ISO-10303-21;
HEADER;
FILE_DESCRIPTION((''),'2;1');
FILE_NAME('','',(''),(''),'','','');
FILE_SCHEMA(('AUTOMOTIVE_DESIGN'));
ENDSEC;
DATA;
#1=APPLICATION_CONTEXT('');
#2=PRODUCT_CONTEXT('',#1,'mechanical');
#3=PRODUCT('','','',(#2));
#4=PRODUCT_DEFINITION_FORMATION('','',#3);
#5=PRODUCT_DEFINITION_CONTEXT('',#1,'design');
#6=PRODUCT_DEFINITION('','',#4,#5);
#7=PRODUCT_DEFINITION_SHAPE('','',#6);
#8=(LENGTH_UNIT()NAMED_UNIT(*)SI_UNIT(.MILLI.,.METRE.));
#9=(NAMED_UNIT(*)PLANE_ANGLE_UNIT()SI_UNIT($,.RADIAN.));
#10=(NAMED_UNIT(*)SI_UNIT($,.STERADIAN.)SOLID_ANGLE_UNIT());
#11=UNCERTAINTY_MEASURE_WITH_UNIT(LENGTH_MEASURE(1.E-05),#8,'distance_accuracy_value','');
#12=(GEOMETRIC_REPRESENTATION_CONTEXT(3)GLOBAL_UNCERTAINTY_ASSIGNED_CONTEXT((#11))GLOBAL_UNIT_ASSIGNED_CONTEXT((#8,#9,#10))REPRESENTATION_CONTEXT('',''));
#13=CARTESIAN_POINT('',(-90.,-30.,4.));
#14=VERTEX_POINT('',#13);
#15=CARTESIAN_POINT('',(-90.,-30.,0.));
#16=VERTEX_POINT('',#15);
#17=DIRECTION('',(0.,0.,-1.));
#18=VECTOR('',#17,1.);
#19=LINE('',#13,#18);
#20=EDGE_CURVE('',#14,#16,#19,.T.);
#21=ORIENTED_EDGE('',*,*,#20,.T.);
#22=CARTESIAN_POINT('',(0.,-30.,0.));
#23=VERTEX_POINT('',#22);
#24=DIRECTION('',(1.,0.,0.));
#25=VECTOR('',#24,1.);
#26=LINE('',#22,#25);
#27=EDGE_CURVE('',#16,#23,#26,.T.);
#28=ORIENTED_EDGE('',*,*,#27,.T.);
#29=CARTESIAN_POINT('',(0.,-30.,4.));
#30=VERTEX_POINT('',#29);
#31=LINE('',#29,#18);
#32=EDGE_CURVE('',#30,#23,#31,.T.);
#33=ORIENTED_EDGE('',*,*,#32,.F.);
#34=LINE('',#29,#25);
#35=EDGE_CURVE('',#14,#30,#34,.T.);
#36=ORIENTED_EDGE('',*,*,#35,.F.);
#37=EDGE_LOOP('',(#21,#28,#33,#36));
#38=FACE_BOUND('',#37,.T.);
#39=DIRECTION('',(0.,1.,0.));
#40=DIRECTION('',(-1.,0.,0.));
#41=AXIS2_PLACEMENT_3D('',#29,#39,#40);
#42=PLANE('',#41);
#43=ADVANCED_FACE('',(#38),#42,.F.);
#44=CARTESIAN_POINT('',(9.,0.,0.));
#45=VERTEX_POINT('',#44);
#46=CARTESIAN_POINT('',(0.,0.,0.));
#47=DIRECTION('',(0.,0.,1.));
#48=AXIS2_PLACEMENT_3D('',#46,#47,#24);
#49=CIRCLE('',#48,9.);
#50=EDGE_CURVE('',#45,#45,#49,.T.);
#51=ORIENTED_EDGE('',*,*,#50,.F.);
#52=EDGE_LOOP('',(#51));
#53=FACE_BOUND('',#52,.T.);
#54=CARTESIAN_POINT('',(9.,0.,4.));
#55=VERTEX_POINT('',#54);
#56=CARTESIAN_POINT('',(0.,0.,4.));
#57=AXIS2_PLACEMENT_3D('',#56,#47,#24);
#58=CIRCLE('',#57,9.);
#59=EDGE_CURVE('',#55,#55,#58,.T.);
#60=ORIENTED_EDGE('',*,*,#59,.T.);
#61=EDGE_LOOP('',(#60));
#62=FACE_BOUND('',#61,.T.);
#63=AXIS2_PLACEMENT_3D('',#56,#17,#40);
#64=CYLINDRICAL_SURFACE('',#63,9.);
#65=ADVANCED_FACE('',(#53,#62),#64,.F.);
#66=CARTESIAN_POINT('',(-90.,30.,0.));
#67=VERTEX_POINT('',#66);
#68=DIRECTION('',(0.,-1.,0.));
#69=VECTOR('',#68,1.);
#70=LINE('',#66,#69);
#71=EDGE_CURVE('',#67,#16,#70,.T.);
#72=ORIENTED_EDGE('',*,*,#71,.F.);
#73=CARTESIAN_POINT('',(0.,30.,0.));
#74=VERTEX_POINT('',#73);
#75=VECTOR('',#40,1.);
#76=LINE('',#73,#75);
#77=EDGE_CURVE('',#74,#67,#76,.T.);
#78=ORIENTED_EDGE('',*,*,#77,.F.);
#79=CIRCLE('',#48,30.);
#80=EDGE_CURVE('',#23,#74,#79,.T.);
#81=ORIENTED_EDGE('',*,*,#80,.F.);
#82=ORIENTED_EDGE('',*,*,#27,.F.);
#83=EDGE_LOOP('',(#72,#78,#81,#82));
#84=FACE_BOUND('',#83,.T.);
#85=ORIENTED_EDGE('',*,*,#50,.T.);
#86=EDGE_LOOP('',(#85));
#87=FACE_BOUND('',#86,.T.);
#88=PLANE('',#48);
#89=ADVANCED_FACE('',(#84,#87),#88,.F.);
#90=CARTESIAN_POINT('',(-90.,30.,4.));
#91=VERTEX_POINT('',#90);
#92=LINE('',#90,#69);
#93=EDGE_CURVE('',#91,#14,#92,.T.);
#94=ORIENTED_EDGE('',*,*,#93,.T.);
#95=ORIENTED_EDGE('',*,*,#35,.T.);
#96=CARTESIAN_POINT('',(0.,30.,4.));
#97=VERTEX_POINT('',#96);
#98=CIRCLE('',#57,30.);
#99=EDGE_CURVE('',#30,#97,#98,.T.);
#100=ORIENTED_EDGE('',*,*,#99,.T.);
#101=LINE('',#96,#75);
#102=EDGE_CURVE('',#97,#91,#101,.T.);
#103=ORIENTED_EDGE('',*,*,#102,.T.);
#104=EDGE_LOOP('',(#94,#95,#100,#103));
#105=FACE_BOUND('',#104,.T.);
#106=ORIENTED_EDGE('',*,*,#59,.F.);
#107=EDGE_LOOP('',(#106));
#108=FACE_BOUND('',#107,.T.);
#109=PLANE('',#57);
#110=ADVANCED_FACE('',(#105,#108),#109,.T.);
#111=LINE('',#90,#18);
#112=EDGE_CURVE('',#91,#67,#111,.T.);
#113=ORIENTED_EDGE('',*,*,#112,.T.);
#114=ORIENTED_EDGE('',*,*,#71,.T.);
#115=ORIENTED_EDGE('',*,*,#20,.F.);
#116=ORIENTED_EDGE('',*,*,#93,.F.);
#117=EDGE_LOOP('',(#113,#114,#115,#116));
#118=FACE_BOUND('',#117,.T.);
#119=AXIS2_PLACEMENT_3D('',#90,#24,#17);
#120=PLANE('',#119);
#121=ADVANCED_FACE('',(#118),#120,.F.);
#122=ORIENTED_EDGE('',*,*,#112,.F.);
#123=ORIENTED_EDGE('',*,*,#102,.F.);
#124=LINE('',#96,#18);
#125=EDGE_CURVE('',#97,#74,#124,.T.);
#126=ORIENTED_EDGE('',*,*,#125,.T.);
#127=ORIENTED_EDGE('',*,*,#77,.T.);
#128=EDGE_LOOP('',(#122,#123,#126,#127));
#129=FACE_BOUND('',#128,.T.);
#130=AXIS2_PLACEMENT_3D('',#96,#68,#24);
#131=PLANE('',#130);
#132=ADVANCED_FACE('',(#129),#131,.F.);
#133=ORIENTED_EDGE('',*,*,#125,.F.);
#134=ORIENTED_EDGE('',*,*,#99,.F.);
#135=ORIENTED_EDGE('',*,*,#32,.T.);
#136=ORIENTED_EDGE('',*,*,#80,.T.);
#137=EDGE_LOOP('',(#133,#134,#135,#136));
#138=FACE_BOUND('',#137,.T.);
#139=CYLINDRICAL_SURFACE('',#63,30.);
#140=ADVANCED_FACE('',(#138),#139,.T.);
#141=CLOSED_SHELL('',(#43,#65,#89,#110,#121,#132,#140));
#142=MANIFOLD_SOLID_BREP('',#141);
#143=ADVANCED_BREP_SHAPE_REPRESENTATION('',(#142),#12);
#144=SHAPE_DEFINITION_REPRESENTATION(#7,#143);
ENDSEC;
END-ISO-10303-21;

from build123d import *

# Parameters (mm, degrees)
SKETCH_1_R      = 9
EXTRUDE_1_DEPTH = 4


with BuildPart() as part:
    # 草图1 → 凸台-拉伸1 (new body)
    with BuildSketch(Plane.XY):
        with BuildLine():
            Line((0, 30), (-90, 30))
            Line((-90, 30), (-90, -30))
            Line((-90, -30), (0, -30))
            ThreePointArc((0, -30), (30, 0), (0, 30))
        make_face()
        Circle(SKETCH_1_R, mode=Mode.SUBTRACT)
    extrude(amount=EXTRUDE_1_DEPTH)


solid = part.part
